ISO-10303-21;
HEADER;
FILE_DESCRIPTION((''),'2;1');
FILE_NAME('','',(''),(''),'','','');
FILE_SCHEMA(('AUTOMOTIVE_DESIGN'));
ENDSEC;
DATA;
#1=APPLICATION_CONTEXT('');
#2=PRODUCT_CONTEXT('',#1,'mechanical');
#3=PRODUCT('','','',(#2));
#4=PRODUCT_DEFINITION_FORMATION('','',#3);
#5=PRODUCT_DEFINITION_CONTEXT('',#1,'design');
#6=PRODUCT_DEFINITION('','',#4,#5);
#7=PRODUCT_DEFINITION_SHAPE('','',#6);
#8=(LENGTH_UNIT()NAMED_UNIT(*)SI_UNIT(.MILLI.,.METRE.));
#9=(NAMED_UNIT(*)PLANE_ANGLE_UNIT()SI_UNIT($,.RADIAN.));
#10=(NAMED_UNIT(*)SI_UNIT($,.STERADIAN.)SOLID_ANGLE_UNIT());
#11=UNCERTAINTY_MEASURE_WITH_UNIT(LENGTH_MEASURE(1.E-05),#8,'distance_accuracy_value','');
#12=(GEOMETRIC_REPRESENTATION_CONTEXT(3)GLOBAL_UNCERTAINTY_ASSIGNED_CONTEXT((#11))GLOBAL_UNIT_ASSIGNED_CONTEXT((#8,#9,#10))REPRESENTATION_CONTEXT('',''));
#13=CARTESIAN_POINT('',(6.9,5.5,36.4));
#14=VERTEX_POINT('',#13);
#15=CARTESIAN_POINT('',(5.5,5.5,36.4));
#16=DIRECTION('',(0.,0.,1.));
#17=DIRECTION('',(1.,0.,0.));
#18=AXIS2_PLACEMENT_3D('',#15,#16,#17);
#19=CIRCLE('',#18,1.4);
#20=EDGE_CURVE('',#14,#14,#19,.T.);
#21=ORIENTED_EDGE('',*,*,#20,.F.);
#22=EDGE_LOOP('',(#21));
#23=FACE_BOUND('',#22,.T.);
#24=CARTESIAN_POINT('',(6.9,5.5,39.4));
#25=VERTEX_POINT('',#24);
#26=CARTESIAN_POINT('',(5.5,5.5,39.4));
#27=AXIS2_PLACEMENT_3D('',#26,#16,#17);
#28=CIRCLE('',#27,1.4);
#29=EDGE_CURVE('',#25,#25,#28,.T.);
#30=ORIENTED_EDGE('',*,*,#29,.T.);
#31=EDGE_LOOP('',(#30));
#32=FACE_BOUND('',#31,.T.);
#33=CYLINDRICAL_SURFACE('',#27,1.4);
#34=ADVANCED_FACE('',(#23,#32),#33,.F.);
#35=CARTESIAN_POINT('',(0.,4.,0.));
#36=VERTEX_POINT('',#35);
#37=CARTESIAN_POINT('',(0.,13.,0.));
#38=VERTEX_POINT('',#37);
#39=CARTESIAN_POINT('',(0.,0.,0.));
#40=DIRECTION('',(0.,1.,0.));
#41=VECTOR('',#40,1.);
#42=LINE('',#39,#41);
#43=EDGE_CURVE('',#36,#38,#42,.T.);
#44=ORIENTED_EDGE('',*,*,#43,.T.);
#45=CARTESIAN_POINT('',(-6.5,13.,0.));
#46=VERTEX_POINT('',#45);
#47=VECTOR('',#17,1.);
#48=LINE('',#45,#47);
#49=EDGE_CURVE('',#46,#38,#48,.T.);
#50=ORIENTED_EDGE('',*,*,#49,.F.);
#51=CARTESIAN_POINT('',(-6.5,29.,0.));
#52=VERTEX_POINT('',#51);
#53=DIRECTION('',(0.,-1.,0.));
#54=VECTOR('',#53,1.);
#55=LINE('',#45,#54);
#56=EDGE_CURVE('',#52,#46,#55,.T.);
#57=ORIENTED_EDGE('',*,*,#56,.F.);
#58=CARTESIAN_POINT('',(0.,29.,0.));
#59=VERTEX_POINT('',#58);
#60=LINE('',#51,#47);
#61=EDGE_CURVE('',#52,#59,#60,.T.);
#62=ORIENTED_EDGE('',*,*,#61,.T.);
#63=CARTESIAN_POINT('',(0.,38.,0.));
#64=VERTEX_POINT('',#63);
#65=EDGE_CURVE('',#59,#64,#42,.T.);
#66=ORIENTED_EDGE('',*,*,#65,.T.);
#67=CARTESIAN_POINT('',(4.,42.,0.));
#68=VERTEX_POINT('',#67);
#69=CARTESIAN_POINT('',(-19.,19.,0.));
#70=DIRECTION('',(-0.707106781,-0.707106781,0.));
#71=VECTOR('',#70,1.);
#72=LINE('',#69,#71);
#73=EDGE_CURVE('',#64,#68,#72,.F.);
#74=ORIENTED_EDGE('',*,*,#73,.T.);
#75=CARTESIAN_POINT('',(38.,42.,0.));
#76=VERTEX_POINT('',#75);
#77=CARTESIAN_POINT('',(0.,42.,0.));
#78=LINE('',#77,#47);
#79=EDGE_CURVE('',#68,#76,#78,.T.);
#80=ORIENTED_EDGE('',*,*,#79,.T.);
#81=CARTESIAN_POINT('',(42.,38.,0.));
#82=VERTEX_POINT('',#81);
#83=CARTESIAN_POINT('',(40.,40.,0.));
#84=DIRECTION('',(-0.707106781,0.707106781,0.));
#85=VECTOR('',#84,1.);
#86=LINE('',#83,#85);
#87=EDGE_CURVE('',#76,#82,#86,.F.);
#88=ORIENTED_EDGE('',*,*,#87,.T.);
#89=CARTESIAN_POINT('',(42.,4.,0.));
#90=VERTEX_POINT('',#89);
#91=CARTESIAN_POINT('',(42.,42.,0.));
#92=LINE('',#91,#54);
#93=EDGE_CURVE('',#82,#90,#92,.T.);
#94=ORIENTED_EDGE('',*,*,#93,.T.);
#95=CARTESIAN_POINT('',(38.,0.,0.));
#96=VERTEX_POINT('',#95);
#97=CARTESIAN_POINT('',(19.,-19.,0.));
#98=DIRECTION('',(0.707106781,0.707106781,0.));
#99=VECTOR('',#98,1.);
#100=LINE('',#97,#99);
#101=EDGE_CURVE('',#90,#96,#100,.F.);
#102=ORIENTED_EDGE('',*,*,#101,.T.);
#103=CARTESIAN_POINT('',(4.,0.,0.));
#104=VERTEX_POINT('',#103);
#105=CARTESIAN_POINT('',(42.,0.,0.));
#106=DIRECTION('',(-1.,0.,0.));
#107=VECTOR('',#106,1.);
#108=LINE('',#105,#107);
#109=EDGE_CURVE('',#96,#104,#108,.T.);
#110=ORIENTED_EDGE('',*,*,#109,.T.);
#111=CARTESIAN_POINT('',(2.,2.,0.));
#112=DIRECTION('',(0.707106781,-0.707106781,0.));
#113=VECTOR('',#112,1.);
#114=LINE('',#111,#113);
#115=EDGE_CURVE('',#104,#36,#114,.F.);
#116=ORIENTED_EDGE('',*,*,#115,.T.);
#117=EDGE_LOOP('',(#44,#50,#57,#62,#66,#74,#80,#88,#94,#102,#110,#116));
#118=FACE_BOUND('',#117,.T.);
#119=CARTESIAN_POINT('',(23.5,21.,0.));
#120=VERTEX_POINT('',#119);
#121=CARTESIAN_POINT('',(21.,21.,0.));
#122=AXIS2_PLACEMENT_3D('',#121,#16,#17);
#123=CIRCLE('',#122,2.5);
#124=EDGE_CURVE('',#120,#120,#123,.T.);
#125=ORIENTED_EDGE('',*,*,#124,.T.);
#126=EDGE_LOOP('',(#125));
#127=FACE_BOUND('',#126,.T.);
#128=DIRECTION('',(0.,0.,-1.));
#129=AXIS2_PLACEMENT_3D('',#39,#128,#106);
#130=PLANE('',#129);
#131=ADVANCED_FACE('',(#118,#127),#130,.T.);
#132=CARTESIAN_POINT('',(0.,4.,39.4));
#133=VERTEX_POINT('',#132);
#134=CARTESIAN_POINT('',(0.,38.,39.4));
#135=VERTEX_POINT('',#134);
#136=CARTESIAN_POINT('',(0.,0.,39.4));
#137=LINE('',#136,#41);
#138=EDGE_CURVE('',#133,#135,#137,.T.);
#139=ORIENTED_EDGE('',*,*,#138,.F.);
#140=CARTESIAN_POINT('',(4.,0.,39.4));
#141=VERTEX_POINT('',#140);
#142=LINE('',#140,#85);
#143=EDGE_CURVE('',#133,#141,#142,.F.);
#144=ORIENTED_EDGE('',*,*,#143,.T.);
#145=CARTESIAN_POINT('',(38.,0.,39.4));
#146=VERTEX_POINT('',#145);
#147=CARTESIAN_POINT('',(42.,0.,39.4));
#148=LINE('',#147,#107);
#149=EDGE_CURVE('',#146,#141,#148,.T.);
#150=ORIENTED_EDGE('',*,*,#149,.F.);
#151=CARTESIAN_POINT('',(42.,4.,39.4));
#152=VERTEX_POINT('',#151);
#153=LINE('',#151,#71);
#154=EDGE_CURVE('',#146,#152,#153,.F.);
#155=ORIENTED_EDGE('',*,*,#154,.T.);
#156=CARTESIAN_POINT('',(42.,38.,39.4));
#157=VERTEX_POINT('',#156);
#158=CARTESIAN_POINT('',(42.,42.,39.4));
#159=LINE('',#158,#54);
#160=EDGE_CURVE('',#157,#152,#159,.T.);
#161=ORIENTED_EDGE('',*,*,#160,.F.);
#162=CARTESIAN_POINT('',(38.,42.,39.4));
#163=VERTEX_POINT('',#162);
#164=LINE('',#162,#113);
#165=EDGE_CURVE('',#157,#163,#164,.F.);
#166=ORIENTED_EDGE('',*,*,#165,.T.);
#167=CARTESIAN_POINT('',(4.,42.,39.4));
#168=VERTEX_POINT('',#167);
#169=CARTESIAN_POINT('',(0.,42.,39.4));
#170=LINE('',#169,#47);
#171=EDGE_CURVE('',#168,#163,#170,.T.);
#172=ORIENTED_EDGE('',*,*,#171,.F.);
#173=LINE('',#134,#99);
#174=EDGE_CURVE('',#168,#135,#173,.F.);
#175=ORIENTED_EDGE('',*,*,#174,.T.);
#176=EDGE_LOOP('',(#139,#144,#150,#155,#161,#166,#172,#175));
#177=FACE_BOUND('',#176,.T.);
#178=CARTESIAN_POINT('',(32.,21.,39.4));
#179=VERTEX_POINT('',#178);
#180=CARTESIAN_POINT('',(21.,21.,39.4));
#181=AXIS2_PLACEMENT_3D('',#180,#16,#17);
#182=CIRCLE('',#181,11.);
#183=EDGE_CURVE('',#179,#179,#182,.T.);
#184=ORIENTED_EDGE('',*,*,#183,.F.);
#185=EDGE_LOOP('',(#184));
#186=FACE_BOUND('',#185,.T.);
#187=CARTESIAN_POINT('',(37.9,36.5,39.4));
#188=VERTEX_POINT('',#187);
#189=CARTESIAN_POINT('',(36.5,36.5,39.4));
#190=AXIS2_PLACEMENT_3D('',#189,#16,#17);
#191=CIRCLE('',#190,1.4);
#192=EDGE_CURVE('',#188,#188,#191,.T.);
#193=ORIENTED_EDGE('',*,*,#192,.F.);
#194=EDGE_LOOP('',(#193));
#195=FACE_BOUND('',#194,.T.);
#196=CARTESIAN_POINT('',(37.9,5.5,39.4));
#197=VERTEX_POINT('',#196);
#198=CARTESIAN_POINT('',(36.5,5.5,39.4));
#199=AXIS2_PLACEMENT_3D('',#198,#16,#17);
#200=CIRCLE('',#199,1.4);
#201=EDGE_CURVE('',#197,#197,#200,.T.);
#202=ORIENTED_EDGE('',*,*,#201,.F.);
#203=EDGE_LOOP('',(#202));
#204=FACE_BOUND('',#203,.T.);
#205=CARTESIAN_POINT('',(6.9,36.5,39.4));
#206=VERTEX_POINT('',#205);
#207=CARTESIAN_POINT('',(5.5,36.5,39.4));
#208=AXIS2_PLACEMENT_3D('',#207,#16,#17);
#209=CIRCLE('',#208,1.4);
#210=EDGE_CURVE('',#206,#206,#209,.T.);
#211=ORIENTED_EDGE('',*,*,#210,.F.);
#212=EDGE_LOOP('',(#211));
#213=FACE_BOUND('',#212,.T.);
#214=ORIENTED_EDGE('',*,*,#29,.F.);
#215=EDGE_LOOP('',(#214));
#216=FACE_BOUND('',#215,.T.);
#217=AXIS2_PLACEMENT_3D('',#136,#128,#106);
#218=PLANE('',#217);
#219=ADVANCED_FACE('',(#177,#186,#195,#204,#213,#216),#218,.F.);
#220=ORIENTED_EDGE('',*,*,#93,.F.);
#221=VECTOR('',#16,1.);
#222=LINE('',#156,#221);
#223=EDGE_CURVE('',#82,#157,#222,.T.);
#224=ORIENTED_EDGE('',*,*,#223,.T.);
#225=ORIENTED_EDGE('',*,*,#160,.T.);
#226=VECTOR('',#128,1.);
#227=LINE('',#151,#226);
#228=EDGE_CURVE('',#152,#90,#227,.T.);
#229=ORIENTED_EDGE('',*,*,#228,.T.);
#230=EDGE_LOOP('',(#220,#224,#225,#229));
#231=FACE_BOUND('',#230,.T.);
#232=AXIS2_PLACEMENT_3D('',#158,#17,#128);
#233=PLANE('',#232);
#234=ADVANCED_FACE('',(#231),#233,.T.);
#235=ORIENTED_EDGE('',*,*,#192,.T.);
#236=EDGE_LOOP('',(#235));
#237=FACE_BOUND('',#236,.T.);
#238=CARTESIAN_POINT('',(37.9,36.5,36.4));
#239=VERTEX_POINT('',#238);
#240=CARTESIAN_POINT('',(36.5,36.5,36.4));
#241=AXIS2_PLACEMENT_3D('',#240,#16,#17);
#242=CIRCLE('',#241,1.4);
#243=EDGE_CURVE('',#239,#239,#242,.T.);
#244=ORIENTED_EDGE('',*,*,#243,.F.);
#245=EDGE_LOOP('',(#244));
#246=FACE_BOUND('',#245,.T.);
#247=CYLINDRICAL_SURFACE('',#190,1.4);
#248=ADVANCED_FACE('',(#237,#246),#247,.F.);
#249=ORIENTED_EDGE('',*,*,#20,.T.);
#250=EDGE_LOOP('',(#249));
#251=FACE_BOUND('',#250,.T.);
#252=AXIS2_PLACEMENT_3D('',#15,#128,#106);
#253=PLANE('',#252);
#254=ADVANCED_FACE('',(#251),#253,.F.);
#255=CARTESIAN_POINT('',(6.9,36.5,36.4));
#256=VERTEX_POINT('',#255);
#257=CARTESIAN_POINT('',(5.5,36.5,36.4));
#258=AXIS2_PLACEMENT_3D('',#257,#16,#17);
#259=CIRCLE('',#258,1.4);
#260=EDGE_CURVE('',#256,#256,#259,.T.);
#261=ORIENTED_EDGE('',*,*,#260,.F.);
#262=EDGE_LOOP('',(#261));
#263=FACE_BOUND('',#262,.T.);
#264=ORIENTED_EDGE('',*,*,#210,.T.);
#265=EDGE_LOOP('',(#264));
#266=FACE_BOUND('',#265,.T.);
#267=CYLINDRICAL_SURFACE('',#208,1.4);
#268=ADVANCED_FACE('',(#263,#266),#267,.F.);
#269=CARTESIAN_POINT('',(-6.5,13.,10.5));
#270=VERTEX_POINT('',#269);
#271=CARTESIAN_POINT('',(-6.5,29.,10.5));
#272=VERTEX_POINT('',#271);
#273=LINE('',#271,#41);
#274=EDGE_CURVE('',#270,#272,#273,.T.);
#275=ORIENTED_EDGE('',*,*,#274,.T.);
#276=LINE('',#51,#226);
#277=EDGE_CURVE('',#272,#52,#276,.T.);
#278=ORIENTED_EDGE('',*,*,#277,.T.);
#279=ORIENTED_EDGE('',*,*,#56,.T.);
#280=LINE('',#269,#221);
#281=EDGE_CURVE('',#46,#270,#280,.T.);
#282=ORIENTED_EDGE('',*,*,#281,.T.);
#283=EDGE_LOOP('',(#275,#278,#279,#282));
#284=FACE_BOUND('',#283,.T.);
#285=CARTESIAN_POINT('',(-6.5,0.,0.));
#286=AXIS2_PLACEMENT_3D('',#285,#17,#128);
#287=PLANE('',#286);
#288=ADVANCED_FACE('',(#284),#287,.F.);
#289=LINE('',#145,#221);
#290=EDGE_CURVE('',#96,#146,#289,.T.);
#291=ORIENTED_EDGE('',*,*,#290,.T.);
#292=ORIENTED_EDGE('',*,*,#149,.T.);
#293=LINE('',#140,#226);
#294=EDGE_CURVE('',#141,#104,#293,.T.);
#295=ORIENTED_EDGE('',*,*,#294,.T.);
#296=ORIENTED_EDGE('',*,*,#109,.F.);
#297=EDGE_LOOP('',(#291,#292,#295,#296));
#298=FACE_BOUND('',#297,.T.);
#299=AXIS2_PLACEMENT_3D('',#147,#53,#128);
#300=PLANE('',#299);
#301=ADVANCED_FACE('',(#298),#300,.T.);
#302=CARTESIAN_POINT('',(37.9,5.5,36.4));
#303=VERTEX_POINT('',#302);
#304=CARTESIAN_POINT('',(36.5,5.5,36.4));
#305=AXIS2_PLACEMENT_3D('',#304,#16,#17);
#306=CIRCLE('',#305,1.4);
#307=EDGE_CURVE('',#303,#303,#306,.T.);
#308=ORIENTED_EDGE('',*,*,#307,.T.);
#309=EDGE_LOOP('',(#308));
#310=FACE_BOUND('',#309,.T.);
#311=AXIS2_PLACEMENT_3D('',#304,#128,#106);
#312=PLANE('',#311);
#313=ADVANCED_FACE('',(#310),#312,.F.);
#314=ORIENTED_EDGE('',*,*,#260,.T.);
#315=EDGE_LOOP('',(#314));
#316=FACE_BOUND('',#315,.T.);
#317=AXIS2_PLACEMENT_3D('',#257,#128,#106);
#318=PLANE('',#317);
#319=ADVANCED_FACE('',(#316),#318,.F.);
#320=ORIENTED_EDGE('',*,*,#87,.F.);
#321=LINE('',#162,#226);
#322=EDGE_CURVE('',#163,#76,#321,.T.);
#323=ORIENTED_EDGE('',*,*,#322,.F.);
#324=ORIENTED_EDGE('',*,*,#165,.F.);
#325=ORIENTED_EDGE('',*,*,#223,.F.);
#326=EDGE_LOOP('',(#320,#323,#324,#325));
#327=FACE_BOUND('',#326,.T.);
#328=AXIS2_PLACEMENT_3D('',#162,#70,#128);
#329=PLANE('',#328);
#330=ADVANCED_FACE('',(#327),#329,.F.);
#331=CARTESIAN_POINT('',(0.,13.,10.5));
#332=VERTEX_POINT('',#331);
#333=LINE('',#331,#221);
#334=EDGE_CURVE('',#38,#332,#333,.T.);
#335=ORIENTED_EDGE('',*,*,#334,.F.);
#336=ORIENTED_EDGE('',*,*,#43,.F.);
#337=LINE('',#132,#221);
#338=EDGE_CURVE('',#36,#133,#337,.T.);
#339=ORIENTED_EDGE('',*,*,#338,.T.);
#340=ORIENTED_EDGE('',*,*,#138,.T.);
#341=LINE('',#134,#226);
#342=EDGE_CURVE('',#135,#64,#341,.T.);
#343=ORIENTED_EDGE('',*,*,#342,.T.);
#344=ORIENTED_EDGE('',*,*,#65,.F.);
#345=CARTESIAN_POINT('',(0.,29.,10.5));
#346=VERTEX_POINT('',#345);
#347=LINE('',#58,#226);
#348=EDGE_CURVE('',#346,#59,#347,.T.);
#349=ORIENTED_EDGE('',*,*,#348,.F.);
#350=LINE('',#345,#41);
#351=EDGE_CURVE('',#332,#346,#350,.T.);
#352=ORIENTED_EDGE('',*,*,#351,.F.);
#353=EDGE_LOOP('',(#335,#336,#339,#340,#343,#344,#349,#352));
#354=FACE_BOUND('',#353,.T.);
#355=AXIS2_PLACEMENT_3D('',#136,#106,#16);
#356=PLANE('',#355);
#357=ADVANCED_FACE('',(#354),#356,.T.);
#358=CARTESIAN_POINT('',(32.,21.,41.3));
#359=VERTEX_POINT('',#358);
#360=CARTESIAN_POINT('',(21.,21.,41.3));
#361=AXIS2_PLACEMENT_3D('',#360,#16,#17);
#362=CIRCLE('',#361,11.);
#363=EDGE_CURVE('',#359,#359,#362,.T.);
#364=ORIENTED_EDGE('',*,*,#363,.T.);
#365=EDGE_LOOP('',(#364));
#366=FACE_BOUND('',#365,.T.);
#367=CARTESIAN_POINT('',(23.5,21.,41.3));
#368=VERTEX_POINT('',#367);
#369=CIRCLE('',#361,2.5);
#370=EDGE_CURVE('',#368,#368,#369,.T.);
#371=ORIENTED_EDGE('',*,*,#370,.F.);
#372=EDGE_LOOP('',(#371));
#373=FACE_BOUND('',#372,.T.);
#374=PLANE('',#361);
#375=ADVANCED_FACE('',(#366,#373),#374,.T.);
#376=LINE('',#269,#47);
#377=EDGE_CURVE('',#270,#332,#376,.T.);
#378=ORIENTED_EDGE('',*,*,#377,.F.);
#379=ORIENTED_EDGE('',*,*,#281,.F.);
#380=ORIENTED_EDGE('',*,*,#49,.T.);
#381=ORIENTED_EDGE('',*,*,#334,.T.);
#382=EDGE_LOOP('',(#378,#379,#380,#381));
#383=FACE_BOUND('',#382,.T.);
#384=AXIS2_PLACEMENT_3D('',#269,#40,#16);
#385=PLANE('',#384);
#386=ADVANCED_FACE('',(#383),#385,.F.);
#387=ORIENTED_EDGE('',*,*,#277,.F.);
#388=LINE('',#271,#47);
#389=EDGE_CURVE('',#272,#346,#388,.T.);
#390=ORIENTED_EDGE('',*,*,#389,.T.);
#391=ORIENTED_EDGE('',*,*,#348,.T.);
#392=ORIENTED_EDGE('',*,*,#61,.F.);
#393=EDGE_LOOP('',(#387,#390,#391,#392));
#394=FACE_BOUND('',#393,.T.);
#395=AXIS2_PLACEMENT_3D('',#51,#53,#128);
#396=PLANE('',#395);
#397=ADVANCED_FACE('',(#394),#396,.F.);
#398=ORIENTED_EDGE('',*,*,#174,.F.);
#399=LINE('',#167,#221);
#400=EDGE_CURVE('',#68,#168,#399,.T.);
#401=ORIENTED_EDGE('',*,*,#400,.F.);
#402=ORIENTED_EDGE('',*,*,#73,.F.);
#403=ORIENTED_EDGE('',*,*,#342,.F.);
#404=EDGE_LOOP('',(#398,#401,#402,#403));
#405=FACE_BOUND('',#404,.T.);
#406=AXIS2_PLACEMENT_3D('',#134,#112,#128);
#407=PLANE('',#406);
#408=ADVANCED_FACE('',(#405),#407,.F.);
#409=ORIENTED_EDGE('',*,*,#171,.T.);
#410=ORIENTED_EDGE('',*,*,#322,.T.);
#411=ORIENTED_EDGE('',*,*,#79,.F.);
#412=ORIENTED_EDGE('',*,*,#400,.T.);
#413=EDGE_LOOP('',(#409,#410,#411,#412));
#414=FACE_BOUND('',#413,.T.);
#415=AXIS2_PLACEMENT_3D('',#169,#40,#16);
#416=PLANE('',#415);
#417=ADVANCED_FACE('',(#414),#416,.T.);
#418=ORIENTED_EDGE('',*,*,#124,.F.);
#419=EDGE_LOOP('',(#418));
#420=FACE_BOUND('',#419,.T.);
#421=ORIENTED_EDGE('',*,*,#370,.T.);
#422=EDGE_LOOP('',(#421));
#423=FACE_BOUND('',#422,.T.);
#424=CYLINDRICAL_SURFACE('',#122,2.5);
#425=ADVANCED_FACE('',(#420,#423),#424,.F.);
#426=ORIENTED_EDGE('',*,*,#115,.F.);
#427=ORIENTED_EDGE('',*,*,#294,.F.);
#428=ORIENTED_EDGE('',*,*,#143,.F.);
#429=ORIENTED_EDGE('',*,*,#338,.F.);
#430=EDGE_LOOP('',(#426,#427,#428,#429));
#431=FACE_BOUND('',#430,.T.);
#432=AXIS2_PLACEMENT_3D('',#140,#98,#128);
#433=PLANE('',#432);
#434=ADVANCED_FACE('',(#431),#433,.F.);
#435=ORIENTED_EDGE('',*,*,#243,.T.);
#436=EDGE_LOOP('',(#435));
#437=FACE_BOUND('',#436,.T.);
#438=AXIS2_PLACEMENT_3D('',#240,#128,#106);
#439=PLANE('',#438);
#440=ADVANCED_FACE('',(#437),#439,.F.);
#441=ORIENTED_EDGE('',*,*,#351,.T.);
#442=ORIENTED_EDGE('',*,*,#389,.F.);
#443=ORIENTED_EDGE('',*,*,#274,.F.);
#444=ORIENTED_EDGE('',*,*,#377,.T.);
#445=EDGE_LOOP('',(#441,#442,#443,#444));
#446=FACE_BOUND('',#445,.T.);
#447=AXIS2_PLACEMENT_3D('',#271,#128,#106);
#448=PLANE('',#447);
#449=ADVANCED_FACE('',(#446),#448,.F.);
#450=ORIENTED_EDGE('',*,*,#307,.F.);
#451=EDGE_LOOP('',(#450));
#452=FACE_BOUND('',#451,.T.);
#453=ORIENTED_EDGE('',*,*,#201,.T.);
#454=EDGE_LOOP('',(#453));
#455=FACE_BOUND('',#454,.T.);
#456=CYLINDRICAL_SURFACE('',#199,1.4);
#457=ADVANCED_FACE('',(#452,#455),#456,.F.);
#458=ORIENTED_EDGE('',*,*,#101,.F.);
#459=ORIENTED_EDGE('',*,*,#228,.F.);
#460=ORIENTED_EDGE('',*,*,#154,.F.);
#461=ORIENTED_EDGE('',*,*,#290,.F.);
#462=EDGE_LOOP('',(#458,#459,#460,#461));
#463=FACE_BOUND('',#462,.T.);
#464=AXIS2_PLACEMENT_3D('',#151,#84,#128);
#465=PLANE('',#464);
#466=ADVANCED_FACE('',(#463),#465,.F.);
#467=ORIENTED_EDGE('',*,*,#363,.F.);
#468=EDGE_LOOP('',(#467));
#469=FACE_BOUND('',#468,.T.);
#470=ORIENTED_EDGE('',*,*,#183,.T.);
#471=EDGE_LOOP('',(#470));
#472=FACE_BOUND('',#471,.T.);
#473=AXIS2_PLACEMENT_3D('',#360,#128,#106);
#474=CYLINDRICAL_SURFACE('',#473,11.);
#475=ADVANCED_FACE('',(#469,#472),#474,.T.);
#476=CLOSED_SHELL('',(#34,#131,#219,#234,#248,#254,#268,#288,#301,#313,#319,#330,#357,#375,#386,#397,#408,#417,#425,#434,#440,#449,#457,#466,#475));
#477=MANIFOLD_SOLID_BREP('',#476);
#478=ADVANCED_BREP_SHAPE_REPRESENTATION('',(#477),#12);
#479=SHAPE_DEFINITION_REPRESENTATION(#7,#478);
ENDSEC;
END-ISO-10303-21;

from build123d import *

# Parameters (mm, degrees)
CROQUIS1_W                          = 42
CROQUIS1_H                          = 42
SALIENTE_EXTRUIR1_DEPTH             = 39.4
CROQUIS2_W                          = 10.5
CROQUIS2_H                          = 16
SALIENTE_EXTRUIR2_DEPTH             = 6.5
CROQUIS3_R                          = 11
SALIENTE_EXTRUIR3_DEPTH             = 1.9
CROQUIS4_R                          = 2.45
SALIENTE_EXTRUIR4_DEPTH             = 20.4
CORTAR_EXTRUIR1_DEPTH               = 15
DI_METRO_DE_TALADRO_2_8_2_8_1_D     = 2.8
DI_METRO_DE_TALADRO_2_8_2_8_1_DEPTH = 3
CHAFL_N1_SIZE                       = 4
CROQUIS8_R                          = 2.5
CORTAR_EXTRUIR2_DEPTH               = 62.7


with BuildPart() as part:
    # Croquis1 → Saliente-Extruir1 (new body)
    with BuildSketch(Plane(origin=(0, 0, 0), x_dir=(-1, 0, 0), z_dir=(0, 0, -1))):
        with Locations((-21, 21)):
            Rectangle(CROQUIS1_W, CROQUIS1_H)
    extrude(amount=-SALIENTE_EXTRUIR1_DEPTH)

    # Croquis2 → Saliente-Extruir2 (add)
    with BuildSketch(Plane.ZY):
        with Locations((5.25, 21)):
            Rectangle(CROQUIS2_W, CROQUIS2_H)
    extrude(amount=SALIENTE_EXTRUIR2_DEPTH)

    # Croquis3 → Saliente-Extruir3 (add)
    with BuildSketch(Plane.XY.offset(39.4)):
        with Locations((21, 21)):
            Circle(CROQUIS3_R)
    extrude(amount=SALIENTE_EXTRUIR3_DEPTH)

    # Croquis4 → Saliente-Extruir4 (add)
    with BuildSketch(Plane.XY.offset(41.3)):
        with Locations((21, 21)):
            Circle(CROQUIS4_R)
    extrude(amount=SALIENTE_EXTRUIR4_DEPTH)

    # Croquis5 → Cortar-Extruir1 (cut)
    with BuildSketch(Plane.XY.offset(61.7)):
        with BuildLine():
            Line((22.99, 22.429125607), (22.99, 19.570874393))
            ThreePointArc((22.99, 19.570874393), (23.45, 21), (22.99, 22.429125607))
        make_face()
    extrude(amount=-CORTAR_EXTRUIR1_DEPTH, mode=Mode.SUBTRACT)

    # Diámetro de taladro Ø2.8 (2.8)1
    with Locations(Plane.XY.offset(39.4)):
        with Locations((36.5, 5.5), (5.5, 5.5), (36.5, 36.5), (5.5, 36.5)):
            Hole(DI_METRO_DE_TALADRO_2_8_2_8_1_D / 2, depth=DI_METRO_DE_TALADRO_2_8_2_8_1_DEPTH)

    # Chaflán1
    chafl_n1_edges = [part.edges().sort_by_distance(p)[0] for p in [
        (42, 0, 19.7),
        (42, 42, 19.7),
        (0, 42, 19.7),
        (0, 0, 19.7),
    ]]
    chamfer(chafl_n1_edges, length=CHAFL_N1_SIZE)

    # Croquis8 → Cortar-Extruir2 (cut, through all)
    with BuildSketch(Plane.XY.offset(61.7)):
        with Locations((21, 21)):
            Circle(CROQUIS8_R)
    extrude(amount=-CORTAR_EXTRUIR2_DEPTH, mode=Mode.SUBTRACT)


solid = part.part
